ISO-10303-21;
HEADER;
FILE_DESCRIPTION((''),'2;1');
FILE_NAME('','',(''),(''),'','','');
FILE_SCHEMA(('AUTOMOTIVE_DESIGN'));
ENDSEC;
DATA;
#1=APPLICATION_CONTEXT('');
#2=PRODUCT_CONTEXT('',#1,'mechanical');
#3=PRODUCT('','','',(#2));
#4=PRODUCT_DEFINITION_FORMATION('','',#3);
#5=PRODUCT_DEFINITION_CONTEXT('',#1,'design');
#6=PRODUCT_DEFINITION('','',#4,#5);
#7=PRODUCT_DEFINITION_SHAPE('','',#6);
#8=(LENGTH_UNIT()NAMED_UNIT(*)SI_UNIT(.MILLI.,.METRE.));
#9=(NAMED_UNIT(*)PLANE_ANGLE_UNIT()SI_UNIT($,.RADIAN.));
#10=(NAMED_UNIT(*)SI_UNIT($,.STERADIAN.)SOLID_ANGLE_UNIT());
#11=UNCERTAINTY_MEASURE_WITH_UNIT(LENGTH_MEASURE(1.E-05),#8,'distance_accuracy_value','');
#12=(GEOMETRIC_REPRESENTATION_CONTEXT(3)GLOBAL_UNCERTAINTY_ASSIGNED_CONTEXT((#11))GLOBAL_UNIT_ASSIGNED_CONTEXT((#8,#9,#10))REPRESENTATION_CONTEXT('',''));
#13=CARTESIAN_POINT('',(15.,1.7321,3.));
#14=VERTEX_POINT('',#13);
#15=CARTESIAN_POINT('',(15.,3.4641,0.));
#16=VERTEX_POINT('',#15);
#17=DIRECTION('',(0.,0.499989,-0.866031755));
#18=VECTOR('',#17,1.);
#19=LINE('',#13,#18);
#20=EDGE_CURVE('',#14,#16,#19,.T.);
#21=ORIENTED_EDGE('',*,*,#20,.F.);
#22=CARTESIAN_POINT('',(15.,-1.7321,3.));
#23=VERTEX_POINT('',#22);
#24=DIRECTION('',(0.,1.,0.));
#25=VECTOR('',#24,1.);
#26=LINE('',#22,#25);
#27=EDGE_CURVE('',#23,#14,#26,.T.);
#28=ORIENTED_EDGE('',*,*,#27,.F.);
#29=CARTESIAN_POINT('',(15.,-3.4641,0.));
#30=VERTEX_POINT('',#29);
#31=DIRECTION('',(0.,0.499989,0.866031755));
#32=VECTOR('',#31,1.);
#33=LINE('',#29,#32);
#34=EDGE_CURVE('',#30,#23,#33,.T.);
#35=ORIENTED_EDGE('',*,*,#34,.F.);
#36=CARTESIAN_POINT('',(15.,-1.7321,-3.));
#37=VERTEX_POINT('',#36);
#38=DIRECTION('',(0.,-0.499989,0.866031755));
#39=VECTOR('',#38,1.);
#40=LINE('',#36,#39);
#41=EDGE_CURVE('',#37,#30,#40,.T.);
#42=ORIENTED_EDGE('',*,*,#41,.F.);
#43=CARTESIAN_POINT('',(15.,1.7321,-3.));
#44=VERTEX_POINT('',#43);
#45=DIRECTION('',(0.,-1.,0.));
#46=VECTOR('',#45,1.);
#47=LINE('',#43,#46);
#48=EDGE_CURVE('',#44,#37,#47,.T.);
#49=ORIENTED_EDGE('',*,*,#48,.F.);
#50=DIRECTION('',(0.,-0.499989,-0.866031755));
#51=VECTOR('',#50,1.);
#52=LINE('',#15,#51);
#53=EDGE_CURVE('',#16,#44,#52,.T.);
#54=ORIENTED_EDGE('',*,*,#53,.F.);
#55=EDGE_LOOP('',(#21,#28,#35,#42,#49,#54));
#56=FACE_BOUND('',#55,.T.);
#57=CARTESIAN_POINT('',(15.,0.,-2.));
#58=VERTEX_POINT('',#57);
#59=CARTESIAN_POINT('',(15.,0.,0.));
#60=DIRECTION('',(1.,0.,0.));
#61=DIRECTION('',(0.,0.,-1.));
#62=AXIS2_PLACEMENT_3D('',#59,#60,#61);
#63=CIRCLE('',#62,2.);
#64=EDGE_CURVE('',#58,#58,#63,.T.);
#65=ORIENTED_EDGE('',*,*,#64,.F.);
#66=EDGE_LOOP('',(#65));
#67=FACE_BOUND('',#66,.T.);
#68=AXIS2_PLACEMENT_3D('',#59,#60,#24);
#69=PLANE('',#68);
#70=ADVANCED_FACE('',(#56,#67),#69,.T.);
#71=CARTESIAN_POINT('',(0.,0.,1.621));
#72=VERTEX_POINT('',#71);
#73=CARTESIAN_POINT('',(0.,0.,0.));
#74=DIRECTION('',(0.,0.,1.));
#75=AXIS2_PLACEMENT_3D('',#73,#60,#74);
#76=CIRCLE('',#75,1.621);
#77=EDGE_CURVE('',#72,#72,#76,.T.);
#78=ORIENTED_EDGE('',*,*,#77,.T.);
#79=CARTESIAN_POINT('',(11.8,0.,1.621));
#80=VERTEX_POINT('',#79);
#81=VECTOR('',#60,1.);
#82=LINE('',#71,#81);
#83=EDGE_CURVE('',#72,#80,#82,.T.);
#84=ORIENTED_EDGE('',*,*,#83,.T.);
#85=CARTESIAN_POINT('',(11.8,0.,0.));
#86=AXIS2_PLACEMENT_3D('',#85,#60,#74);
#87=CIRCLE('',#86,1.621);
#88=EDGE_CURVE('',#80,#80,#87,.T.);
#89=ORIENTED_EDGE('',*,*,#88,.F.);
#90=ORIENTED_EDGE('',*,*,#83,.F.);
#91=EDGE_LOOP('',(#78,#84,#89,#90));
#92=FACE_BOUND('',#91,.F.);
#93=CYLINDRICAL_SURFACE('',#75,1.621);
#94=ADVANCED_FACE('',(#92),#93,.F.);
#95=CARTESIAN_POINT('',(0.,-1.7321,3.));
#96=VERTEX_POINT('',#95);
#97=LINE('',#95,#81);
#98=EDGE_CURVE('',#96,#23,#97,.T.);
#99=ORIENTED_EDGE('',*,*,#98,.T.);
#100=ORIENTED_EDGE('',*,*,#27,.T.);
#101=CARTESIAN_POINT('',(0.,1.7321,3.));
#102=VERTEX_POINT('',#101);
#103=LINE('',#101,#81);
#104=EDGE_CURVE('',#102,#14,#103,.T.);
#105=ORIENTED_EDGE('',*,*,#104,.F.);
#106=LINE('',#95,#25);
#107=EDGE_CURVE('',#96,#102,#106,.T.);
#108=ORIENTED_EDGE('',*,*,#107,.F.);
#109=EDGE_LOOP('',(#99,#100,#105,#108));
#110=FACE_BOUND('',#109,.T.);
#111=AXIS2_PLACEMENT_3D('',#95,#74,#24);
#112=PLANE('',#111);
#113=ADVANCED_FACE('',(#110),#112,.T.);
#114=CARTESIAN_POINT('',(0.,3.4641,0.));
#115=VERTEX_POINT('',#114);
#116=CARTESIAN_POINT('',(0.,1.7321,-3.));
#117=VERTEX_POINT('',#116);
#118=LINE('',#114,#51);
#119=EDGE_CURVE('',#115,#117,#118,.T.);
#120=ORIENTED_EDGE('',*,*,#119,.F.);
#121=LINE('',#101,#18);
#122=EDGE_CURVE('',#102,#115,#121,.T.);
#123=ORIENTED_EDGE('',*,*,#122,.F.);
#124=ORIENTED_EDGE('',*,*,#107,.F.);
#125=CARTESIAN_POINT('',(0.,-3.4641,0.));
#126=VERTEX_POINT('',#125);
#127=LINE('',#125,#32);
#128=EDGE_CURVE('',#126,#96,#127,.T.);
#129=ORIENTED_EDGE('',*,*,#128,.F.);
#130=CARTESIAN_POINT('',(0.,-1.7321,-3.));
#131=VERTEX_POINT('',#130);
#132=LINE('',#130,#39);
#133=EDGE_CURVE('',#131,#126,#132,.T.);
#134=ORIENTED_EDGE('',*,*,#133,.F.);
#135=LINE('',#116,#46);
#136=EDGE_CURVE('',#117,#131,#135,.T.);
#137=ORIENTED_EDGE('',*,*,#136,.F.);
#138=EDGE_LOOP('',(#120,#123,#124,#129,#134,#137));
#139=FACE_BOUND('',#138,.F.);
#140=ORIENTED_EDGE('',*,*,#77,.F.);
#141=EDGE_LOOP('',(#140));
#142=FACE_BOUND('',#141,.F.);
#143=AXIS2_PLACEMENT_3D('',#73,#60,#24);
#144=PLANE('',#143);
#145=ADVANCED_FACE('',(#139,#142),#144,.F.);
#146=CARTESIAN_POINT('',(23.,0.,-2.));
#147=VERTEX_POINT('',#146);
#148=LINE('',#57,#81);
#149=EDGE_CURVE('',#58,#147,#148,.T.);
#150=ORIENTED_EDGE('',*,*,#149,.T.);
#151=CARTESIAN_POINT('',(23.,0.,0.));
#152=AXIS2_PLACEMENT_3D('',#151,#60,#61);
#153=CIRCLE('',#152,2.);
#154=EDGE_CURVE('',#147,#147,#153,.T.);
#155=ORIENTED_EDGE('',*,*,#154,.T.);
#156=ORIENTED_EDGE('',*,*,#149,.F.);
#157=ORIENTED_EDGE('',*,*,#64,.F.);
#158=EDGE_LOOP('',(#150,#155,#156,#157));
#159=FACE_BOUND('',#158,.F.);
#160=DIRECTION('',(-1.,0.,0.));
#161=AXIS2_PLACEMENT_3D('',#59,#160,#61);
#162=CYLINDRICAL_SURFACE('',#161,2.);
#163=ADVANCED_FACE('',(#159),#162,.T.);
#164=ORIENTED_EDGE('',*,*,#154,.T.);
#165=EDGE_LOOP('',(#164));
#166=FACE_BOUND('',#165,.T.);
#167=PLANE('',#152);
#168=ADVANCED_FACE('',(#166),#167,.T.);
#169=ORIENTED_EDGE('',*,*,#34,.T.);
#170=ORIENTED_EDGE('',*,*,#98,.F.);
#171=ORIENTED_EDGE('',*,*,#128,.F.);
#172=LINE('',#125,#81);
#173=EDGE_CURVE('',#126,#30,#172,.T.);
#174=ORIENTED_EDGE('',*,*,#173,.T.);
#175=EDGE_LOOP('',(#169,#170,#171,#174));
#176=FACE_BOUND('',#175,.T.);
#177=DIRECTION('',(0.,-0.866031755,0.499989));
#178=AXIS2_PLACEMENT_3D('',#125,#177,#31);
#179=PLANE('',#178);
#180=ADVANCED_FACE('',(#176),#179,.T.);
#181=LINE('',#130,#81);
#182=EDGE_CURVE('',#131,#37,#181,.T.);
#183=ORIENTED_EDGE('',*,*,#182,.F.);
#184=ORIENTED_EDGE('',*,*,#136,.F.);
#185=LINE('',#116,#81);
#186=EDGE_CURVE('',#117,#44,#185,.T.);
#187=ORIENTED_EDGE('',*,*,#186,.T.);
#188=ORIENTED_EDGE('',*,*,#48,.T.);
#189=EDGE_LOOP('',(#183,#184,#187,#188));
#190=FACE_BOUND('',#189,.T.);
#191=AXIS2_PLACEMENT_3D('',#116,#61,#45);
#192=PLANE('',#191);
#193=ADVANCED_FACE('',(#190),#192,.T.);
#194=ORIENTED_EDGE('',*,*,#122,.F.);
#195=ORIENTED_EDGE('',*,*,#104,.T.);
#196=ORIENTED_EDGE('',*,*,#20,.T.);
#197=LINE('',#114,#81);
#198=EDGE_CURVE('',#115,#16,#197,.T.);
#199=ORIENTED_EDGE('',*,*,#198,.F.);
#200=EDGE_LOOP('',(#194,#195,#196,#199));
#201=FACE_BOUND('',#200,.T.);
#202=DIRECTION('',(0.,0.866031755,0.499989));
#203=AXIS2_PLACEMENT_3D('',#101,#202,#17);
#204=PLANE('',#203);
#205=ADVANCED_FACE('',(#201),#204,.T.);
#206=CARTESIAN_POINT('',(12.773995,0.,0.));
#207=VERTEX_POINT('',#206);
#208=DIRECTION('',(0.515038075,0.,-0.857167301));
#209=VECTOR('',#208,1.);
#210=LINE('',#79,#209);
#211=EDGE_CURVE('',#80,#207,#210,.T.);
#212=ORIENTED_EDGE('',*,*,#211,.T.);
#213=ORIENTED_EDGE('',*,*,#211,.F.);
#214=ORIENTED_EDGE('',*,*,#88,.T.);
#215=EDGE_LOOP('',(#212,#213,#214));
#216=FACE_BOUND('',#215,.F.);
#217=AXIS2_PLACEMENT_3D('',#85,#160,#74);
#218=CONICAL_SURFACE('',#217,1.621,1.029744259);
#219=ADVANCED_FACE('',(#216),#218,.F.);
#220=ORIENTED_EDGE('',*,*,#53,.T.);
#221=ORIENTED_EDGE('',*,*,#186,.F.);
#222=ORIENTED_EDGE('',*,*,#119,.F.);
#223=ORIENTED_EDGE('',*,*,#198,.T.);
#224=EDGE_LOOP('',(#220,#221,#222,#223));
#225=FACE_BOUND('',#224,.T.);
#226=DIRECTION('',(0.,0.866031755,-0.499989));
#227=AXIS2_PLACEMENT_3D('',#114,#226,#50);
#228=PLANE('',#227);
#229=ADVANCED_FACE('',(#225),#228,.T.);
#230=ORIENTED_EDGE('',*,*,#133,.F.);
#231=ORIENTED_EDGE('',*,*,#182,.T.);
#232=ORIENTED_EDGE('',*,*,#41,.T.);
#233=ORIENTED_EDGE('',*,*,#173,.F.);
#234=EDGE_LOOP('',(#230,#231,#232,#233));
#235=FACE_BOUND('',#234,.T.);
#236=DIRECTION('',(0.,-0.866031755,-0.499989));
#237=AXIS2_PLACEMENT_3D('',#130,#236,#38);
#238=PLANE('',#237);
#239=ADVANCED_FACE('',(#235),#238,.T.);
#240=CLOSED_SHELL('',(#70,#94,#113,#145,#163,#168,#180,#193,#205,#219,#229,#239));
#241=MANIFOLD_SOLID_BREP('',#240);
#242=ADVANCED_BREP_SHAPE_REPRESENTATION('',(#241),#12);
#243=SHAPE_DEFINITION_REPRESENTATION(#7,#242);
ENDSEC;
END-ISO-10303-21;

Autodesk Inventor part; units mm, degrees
ref_plane "YZ Plane" through (0, 0, 0) normal (1, 0, 0) x (0, 1, 0)
ref_plane "XZ Plane" through (0, 0, 0) normal (0, 1, 0) x (-1, 0, 0)
ref_plane "XY Plane" through (0, 0, 0) normal (0, 0, 1) x (1, 0, 0)
sketch "スケッチ1" plane through (0, 0, 0) normal (1, 0, 0) x (0, 1, 0)
  line L0 (1.7321, -3) -> (-1.7321, -3)
  line L1 (-1.7321, -3) -> (-3.4641, 0)
  line L2 (-3.4641, 0) -> (-1.7321, 3)
  line L3 (-1.7321, 3) -> (1.7321, 3)
  line L4 (1.7321, 3) -> (3.4641, 0)
  line L5 (3.4641, 0) -> (1.7321, -3)
  point P0 (0, 0)
  point P1 (0, 0)
  dimension "d0" = 6
extrude "押し出し1" add sketch "スケッチ1" along normal blind 15
sketch "スケッチ2" plane through (15, 0, 0) normal (1, 0, 0) x (0, 0, -1)
  circle A0 centre (0, 0) radius 2
  dimension "d3" = 4
extrude "押し出し2" add sketch "スケッチ2" along normal blind 8
thread "ねじ1" size "M4x0.7" class "6g" standard "ANSI Metric M Profile" full length
sketch "スケッチ3" plane through (0, 0, 0) normal (-1, 0, 0) x (0, 0, 1)
  point P0 (0, 0)
  point P1 (0, 0)
hole "穴1" at (0, 0, 0) direction (1, 0, 0) diameter 3.242 depth 11.8 tip angle 118 thread size "M4x0.7" class "6H" standard "ISO Metric profile"
properties part number "Spacer_M3_L15" material "鋼、合金"
